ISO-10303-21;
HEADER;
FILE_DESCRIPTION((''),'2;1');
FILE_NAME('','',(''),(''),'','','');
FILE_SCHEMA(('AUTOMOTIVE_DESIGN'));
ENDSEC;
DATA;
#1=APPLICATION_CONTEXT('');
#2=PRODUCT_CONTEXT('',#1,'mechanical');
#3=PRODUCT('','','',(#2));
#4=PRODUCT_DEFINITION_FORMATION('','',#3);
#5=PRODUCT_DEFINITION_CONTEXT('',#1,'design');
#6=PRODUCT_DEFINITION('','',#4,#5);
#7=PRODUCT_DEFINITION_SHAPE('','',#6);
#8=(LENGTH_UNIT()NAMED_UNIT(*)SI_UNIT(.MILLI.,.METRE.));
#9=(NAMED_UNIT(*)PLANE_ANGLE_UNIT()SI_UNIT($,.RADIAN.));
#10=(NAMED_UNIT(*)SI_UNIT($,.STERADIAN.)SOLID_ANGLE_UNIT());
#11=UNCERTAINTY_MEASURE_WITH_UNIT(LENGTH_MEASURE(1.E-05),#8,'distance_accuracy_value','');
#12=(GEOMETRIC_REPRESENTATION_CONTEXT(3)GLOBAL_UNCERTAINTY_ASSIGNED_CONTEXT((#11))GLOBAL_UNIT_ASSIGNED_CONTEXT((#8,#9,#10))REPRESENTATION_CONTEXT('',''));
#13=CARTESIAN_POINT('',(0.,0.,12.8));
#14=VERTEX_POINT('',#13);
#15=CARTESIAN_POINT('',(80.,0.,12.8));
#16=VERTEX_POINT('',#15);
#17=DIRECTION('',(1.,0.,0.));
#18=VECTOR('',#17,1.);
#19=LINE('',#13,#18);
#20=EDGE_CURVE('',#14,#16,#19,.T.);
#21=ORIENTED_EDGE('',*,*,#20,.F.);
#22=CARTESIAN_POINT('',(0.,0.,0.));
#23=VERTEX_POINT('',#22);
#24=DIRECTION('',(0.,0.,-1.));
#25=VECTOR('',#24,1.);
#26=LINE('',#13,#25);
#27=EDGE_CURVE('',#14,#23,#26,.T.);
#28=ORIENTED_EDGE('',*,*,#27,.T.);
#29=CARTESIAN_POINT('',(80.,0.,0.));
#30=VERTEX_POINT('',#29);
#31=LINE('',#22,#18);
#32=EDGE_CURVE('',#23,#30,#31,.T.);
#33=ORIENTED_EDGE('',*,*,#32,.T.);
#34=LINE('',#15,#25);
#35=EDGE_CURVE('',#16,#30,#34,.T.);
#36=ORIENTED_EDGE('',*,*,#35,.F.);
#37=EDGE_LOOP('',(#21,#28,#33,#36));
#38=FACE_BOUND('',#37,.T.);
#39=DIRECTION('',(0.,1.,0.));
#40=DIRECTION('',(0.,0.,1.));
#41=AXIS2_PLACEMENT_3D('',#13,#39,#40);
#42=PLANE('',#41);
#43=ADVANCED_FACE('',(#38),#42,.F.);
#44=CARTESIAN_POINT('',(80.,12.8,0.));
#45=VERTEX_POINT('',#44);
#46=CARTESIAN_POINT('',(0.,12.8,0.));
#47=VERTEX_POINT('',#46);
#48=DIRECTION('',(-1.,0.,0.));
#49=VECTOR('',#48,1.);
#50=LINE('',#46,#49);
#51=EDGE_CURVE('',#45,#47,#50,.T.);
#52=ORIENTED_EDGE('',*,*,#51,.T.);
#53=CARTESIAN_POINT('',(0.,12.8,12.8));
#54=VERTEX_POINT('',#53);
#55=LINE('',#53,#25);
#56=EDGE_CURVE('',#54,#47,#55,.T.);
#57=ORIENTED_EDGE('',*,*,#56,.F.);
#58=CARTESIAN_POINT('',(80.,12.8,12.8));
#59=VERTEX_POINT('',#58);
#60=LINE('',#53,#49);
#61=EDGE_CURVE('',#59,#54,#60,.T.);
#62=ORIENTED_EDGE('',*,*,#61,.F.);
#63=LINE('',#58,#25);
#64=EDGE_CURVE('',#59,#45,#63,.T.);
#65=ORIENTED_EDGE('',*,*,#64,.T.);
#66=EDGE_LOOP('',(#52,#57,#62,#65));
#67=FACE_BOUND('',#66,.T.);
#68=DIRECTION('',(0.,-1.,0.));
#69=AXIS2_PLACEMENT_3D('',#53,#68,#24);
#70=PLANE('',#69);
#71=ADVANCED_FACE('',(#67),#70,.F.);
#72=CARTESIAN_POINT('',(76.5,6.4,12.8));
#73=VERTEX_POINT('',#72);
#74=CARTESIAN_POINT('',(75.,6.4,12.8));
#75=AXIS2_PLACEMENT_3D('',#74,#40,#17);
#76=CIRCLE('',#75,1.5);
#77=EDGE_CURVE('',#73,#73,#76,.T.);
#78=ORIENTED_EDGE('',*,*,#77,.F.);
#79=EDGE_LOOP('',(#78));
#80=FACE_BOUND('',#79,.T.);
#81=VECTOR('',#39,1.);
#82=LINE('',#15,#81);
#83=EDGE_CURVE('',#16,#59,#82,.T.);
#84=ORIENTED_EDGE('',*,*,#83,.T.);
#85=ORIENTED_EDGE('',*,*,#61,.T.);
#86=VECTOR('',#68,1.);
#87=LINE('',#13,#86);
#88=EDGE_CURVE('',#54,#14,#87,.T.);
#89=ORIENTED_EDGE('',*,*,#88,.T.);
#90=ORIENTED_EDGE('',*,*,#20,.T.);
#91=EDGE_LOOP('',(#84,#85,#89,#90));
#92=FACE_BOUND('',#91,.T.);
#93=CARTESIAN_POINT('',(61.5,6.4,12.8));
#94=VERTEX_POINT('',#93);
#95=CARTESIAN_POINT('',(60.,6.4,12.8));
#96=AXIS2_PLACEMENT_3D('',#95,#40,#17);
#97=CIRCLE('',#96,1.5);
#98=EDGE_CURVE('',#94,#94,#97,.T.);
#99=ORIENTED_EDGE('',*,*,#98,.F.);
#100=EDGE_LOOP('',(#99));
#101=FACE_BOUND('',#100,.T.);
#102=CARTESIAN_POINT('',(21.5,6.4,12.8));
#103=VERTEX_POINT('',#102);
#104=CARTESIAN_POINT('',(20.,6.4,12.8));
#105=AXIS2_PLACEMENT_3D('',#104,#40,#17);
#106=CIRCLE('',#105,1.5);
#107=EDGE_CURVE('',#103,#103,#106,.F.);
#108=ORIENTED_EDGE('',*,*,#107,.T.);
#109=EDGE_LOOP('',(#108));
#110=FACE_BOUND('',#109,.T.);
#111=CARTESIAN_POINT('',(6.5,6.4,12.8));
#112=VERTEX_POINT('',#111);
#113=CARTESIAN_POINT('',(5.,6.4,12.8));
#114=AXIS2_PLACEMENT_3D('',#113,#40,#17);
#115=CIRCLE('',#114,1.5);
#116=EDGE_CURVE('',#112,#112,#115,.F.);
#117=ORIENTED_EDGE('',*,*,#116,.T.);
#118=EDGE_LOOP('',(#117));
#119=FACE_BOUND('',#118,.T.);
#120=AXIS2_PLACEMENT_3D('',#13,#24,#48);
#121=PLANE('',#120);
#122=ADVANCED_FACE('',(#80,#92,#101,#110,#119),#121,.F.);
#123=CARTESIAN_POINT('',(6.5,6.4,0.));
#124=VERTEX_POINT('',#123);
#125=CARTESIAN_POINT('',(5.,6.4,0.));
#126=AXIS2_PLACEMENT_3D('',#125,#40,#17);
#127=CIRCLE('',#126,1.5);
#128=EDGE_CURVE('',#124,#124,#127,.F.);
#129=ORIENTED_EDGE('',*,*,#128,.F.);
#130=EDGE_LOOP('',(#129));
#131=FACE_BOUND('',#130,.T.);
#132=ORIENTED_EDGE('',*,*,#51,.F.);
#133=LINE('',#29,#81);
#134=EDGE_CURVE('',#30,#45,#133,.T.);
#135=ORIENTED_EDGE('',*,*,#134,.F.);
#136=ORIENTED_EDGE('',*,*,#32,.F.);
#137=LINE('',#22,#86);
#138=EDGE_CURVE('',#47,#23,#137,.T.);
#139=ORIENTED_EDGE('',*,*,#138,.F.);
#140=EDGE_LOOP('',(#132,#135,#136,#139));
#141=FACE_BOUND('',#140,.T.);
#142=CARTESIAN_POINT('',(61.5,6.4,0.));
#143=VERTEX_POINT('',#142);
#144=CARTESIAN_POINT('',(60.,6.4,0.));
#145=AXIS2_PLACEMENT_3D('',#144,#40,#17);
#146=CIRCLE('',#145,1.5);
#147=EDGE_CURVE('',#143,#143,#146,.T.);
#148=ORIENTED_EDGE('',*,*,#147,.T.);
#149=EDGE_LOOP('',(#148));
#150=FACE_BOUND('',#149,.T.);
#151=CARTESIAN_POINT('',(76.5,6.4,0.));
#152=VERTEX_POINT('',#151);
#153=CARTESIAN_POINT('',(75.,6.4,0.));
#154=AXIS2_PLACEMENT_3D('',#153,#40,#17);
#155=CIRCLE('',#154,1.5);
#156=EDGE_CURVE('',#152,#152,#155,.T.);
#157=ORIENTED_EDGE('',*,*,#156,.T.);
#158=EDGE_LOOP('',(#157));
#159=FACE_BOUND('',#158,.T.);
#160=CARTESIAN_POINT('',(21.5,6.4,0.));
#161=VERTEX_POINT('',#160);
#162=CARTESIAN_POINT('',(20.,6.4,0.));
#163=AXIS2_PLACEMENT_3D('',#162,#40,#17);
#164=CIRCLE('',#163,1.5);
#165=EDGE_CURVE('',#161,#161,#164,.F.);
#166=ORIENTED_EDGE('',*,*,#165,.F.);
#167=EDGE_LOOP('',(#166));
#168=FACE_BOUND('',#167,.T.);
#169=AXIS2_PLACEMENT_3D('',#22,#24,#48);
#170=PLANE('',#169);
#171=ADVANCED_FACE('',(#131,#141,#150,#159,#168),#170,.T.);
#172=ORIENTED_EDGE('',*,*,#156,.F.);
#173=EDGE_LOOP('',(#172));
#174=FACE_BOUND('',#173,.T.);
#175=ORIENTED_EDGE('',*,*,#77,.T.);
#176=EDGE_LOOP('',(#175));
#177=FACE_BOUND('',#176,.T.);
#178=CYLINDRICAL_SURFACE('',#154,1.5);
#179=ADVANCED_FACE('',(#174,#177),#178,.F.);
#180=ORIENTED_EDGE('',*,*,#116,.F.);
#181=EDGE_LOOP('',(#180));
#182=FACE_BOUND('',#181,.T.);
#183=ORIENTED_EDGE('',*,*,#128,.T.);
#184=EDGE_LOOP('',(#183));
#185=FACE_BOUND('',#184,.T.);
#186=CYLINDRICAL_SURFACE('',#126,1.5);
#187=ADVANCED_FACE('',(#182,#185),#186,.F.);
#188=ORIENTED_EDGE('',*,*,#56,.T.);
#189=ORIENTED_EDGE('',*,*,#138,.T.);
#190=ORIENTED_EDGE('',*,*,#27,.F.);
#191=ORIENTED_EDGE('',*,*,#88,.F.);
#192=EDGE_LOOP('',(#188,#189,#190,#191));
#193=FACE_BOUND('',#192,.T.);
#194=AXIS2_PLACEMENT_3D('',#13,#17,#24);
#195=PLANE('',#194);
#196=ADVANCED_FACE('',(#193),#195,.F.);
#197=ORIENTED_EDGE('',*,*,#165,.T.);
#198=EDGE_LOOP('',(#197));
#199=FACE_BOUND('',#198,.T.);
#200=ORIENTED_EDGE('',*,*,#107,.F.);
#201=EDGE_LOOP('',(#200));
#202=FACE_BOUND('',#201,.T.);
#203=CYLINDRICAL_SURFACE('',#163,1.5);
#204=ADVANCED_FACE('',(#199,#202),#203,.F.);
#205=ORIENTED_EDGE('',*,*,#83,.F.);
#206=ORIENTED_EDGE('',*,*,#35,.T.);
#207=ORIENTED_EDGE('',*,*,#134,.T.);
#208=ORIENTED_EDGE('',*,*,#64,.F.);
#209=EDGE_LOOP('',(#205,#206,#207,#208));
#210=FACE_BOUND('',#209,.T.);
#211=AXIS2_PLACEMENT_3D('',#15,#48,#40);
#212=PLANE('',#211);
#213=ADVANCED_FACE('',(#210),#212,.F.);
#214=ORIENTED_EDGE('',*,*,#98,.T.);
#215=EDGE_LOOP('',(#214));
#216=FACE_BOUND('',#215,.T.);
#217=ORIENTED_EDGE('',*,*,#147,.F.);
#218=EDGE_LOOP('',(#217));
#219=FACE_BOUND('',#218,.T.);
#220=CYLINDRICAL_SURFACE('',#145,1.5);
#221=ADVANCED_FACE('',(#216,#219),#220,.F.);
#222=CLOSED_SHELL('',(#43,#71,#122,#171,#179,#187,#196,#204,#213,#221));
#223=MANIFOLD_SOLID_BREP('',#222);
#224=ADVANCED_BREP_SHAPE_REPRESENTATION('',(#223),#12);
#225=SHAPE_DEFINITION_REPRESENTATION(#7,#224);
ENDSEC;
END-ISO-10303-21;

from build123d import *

# Parameters (mm, degrees)
ESBO_O1_W                = 80
ESBO_O1_H                = 12.8
RESSALTO_EXTRUS_O1_DEPTH = 12.8
ESBO_O2_R                = 1.5
CORTE_EXTRUS_O1_DEPTH    = 12.8


with BuildPart() as part:
    # Esboço1 → Ressalto-extrusão1 (new body)
    with BuildSketch(Plane.XY):
        with Locations((40, 6.4)):
            Rectangle(ESBO_O1_W, ESBO_O1_H)
    extrude(amount=RESSALTO_EXTRUS_O1_DEPTH)

    # Esboço2 → Corte-extrusão1 (cut)
    with BuildSketch(Plane.XY.offset(12.8)):
        with Locations((75, 6.4)):
            Circle(ESBO_O2_R)
        with Locations((60, 6.4)):
            Circle(ESBO_O2_R)
        with Locations((5, 6.4)):
            Circle(ESBO_O2_R)
        with Locations((20, 6.4)):
            Circle(ESBO_O2_R)
    extrude(amount=-CORTE_EXTRUS_O1_DEPTH, mode=Mode.SUBTRACT)


solid = part.part
